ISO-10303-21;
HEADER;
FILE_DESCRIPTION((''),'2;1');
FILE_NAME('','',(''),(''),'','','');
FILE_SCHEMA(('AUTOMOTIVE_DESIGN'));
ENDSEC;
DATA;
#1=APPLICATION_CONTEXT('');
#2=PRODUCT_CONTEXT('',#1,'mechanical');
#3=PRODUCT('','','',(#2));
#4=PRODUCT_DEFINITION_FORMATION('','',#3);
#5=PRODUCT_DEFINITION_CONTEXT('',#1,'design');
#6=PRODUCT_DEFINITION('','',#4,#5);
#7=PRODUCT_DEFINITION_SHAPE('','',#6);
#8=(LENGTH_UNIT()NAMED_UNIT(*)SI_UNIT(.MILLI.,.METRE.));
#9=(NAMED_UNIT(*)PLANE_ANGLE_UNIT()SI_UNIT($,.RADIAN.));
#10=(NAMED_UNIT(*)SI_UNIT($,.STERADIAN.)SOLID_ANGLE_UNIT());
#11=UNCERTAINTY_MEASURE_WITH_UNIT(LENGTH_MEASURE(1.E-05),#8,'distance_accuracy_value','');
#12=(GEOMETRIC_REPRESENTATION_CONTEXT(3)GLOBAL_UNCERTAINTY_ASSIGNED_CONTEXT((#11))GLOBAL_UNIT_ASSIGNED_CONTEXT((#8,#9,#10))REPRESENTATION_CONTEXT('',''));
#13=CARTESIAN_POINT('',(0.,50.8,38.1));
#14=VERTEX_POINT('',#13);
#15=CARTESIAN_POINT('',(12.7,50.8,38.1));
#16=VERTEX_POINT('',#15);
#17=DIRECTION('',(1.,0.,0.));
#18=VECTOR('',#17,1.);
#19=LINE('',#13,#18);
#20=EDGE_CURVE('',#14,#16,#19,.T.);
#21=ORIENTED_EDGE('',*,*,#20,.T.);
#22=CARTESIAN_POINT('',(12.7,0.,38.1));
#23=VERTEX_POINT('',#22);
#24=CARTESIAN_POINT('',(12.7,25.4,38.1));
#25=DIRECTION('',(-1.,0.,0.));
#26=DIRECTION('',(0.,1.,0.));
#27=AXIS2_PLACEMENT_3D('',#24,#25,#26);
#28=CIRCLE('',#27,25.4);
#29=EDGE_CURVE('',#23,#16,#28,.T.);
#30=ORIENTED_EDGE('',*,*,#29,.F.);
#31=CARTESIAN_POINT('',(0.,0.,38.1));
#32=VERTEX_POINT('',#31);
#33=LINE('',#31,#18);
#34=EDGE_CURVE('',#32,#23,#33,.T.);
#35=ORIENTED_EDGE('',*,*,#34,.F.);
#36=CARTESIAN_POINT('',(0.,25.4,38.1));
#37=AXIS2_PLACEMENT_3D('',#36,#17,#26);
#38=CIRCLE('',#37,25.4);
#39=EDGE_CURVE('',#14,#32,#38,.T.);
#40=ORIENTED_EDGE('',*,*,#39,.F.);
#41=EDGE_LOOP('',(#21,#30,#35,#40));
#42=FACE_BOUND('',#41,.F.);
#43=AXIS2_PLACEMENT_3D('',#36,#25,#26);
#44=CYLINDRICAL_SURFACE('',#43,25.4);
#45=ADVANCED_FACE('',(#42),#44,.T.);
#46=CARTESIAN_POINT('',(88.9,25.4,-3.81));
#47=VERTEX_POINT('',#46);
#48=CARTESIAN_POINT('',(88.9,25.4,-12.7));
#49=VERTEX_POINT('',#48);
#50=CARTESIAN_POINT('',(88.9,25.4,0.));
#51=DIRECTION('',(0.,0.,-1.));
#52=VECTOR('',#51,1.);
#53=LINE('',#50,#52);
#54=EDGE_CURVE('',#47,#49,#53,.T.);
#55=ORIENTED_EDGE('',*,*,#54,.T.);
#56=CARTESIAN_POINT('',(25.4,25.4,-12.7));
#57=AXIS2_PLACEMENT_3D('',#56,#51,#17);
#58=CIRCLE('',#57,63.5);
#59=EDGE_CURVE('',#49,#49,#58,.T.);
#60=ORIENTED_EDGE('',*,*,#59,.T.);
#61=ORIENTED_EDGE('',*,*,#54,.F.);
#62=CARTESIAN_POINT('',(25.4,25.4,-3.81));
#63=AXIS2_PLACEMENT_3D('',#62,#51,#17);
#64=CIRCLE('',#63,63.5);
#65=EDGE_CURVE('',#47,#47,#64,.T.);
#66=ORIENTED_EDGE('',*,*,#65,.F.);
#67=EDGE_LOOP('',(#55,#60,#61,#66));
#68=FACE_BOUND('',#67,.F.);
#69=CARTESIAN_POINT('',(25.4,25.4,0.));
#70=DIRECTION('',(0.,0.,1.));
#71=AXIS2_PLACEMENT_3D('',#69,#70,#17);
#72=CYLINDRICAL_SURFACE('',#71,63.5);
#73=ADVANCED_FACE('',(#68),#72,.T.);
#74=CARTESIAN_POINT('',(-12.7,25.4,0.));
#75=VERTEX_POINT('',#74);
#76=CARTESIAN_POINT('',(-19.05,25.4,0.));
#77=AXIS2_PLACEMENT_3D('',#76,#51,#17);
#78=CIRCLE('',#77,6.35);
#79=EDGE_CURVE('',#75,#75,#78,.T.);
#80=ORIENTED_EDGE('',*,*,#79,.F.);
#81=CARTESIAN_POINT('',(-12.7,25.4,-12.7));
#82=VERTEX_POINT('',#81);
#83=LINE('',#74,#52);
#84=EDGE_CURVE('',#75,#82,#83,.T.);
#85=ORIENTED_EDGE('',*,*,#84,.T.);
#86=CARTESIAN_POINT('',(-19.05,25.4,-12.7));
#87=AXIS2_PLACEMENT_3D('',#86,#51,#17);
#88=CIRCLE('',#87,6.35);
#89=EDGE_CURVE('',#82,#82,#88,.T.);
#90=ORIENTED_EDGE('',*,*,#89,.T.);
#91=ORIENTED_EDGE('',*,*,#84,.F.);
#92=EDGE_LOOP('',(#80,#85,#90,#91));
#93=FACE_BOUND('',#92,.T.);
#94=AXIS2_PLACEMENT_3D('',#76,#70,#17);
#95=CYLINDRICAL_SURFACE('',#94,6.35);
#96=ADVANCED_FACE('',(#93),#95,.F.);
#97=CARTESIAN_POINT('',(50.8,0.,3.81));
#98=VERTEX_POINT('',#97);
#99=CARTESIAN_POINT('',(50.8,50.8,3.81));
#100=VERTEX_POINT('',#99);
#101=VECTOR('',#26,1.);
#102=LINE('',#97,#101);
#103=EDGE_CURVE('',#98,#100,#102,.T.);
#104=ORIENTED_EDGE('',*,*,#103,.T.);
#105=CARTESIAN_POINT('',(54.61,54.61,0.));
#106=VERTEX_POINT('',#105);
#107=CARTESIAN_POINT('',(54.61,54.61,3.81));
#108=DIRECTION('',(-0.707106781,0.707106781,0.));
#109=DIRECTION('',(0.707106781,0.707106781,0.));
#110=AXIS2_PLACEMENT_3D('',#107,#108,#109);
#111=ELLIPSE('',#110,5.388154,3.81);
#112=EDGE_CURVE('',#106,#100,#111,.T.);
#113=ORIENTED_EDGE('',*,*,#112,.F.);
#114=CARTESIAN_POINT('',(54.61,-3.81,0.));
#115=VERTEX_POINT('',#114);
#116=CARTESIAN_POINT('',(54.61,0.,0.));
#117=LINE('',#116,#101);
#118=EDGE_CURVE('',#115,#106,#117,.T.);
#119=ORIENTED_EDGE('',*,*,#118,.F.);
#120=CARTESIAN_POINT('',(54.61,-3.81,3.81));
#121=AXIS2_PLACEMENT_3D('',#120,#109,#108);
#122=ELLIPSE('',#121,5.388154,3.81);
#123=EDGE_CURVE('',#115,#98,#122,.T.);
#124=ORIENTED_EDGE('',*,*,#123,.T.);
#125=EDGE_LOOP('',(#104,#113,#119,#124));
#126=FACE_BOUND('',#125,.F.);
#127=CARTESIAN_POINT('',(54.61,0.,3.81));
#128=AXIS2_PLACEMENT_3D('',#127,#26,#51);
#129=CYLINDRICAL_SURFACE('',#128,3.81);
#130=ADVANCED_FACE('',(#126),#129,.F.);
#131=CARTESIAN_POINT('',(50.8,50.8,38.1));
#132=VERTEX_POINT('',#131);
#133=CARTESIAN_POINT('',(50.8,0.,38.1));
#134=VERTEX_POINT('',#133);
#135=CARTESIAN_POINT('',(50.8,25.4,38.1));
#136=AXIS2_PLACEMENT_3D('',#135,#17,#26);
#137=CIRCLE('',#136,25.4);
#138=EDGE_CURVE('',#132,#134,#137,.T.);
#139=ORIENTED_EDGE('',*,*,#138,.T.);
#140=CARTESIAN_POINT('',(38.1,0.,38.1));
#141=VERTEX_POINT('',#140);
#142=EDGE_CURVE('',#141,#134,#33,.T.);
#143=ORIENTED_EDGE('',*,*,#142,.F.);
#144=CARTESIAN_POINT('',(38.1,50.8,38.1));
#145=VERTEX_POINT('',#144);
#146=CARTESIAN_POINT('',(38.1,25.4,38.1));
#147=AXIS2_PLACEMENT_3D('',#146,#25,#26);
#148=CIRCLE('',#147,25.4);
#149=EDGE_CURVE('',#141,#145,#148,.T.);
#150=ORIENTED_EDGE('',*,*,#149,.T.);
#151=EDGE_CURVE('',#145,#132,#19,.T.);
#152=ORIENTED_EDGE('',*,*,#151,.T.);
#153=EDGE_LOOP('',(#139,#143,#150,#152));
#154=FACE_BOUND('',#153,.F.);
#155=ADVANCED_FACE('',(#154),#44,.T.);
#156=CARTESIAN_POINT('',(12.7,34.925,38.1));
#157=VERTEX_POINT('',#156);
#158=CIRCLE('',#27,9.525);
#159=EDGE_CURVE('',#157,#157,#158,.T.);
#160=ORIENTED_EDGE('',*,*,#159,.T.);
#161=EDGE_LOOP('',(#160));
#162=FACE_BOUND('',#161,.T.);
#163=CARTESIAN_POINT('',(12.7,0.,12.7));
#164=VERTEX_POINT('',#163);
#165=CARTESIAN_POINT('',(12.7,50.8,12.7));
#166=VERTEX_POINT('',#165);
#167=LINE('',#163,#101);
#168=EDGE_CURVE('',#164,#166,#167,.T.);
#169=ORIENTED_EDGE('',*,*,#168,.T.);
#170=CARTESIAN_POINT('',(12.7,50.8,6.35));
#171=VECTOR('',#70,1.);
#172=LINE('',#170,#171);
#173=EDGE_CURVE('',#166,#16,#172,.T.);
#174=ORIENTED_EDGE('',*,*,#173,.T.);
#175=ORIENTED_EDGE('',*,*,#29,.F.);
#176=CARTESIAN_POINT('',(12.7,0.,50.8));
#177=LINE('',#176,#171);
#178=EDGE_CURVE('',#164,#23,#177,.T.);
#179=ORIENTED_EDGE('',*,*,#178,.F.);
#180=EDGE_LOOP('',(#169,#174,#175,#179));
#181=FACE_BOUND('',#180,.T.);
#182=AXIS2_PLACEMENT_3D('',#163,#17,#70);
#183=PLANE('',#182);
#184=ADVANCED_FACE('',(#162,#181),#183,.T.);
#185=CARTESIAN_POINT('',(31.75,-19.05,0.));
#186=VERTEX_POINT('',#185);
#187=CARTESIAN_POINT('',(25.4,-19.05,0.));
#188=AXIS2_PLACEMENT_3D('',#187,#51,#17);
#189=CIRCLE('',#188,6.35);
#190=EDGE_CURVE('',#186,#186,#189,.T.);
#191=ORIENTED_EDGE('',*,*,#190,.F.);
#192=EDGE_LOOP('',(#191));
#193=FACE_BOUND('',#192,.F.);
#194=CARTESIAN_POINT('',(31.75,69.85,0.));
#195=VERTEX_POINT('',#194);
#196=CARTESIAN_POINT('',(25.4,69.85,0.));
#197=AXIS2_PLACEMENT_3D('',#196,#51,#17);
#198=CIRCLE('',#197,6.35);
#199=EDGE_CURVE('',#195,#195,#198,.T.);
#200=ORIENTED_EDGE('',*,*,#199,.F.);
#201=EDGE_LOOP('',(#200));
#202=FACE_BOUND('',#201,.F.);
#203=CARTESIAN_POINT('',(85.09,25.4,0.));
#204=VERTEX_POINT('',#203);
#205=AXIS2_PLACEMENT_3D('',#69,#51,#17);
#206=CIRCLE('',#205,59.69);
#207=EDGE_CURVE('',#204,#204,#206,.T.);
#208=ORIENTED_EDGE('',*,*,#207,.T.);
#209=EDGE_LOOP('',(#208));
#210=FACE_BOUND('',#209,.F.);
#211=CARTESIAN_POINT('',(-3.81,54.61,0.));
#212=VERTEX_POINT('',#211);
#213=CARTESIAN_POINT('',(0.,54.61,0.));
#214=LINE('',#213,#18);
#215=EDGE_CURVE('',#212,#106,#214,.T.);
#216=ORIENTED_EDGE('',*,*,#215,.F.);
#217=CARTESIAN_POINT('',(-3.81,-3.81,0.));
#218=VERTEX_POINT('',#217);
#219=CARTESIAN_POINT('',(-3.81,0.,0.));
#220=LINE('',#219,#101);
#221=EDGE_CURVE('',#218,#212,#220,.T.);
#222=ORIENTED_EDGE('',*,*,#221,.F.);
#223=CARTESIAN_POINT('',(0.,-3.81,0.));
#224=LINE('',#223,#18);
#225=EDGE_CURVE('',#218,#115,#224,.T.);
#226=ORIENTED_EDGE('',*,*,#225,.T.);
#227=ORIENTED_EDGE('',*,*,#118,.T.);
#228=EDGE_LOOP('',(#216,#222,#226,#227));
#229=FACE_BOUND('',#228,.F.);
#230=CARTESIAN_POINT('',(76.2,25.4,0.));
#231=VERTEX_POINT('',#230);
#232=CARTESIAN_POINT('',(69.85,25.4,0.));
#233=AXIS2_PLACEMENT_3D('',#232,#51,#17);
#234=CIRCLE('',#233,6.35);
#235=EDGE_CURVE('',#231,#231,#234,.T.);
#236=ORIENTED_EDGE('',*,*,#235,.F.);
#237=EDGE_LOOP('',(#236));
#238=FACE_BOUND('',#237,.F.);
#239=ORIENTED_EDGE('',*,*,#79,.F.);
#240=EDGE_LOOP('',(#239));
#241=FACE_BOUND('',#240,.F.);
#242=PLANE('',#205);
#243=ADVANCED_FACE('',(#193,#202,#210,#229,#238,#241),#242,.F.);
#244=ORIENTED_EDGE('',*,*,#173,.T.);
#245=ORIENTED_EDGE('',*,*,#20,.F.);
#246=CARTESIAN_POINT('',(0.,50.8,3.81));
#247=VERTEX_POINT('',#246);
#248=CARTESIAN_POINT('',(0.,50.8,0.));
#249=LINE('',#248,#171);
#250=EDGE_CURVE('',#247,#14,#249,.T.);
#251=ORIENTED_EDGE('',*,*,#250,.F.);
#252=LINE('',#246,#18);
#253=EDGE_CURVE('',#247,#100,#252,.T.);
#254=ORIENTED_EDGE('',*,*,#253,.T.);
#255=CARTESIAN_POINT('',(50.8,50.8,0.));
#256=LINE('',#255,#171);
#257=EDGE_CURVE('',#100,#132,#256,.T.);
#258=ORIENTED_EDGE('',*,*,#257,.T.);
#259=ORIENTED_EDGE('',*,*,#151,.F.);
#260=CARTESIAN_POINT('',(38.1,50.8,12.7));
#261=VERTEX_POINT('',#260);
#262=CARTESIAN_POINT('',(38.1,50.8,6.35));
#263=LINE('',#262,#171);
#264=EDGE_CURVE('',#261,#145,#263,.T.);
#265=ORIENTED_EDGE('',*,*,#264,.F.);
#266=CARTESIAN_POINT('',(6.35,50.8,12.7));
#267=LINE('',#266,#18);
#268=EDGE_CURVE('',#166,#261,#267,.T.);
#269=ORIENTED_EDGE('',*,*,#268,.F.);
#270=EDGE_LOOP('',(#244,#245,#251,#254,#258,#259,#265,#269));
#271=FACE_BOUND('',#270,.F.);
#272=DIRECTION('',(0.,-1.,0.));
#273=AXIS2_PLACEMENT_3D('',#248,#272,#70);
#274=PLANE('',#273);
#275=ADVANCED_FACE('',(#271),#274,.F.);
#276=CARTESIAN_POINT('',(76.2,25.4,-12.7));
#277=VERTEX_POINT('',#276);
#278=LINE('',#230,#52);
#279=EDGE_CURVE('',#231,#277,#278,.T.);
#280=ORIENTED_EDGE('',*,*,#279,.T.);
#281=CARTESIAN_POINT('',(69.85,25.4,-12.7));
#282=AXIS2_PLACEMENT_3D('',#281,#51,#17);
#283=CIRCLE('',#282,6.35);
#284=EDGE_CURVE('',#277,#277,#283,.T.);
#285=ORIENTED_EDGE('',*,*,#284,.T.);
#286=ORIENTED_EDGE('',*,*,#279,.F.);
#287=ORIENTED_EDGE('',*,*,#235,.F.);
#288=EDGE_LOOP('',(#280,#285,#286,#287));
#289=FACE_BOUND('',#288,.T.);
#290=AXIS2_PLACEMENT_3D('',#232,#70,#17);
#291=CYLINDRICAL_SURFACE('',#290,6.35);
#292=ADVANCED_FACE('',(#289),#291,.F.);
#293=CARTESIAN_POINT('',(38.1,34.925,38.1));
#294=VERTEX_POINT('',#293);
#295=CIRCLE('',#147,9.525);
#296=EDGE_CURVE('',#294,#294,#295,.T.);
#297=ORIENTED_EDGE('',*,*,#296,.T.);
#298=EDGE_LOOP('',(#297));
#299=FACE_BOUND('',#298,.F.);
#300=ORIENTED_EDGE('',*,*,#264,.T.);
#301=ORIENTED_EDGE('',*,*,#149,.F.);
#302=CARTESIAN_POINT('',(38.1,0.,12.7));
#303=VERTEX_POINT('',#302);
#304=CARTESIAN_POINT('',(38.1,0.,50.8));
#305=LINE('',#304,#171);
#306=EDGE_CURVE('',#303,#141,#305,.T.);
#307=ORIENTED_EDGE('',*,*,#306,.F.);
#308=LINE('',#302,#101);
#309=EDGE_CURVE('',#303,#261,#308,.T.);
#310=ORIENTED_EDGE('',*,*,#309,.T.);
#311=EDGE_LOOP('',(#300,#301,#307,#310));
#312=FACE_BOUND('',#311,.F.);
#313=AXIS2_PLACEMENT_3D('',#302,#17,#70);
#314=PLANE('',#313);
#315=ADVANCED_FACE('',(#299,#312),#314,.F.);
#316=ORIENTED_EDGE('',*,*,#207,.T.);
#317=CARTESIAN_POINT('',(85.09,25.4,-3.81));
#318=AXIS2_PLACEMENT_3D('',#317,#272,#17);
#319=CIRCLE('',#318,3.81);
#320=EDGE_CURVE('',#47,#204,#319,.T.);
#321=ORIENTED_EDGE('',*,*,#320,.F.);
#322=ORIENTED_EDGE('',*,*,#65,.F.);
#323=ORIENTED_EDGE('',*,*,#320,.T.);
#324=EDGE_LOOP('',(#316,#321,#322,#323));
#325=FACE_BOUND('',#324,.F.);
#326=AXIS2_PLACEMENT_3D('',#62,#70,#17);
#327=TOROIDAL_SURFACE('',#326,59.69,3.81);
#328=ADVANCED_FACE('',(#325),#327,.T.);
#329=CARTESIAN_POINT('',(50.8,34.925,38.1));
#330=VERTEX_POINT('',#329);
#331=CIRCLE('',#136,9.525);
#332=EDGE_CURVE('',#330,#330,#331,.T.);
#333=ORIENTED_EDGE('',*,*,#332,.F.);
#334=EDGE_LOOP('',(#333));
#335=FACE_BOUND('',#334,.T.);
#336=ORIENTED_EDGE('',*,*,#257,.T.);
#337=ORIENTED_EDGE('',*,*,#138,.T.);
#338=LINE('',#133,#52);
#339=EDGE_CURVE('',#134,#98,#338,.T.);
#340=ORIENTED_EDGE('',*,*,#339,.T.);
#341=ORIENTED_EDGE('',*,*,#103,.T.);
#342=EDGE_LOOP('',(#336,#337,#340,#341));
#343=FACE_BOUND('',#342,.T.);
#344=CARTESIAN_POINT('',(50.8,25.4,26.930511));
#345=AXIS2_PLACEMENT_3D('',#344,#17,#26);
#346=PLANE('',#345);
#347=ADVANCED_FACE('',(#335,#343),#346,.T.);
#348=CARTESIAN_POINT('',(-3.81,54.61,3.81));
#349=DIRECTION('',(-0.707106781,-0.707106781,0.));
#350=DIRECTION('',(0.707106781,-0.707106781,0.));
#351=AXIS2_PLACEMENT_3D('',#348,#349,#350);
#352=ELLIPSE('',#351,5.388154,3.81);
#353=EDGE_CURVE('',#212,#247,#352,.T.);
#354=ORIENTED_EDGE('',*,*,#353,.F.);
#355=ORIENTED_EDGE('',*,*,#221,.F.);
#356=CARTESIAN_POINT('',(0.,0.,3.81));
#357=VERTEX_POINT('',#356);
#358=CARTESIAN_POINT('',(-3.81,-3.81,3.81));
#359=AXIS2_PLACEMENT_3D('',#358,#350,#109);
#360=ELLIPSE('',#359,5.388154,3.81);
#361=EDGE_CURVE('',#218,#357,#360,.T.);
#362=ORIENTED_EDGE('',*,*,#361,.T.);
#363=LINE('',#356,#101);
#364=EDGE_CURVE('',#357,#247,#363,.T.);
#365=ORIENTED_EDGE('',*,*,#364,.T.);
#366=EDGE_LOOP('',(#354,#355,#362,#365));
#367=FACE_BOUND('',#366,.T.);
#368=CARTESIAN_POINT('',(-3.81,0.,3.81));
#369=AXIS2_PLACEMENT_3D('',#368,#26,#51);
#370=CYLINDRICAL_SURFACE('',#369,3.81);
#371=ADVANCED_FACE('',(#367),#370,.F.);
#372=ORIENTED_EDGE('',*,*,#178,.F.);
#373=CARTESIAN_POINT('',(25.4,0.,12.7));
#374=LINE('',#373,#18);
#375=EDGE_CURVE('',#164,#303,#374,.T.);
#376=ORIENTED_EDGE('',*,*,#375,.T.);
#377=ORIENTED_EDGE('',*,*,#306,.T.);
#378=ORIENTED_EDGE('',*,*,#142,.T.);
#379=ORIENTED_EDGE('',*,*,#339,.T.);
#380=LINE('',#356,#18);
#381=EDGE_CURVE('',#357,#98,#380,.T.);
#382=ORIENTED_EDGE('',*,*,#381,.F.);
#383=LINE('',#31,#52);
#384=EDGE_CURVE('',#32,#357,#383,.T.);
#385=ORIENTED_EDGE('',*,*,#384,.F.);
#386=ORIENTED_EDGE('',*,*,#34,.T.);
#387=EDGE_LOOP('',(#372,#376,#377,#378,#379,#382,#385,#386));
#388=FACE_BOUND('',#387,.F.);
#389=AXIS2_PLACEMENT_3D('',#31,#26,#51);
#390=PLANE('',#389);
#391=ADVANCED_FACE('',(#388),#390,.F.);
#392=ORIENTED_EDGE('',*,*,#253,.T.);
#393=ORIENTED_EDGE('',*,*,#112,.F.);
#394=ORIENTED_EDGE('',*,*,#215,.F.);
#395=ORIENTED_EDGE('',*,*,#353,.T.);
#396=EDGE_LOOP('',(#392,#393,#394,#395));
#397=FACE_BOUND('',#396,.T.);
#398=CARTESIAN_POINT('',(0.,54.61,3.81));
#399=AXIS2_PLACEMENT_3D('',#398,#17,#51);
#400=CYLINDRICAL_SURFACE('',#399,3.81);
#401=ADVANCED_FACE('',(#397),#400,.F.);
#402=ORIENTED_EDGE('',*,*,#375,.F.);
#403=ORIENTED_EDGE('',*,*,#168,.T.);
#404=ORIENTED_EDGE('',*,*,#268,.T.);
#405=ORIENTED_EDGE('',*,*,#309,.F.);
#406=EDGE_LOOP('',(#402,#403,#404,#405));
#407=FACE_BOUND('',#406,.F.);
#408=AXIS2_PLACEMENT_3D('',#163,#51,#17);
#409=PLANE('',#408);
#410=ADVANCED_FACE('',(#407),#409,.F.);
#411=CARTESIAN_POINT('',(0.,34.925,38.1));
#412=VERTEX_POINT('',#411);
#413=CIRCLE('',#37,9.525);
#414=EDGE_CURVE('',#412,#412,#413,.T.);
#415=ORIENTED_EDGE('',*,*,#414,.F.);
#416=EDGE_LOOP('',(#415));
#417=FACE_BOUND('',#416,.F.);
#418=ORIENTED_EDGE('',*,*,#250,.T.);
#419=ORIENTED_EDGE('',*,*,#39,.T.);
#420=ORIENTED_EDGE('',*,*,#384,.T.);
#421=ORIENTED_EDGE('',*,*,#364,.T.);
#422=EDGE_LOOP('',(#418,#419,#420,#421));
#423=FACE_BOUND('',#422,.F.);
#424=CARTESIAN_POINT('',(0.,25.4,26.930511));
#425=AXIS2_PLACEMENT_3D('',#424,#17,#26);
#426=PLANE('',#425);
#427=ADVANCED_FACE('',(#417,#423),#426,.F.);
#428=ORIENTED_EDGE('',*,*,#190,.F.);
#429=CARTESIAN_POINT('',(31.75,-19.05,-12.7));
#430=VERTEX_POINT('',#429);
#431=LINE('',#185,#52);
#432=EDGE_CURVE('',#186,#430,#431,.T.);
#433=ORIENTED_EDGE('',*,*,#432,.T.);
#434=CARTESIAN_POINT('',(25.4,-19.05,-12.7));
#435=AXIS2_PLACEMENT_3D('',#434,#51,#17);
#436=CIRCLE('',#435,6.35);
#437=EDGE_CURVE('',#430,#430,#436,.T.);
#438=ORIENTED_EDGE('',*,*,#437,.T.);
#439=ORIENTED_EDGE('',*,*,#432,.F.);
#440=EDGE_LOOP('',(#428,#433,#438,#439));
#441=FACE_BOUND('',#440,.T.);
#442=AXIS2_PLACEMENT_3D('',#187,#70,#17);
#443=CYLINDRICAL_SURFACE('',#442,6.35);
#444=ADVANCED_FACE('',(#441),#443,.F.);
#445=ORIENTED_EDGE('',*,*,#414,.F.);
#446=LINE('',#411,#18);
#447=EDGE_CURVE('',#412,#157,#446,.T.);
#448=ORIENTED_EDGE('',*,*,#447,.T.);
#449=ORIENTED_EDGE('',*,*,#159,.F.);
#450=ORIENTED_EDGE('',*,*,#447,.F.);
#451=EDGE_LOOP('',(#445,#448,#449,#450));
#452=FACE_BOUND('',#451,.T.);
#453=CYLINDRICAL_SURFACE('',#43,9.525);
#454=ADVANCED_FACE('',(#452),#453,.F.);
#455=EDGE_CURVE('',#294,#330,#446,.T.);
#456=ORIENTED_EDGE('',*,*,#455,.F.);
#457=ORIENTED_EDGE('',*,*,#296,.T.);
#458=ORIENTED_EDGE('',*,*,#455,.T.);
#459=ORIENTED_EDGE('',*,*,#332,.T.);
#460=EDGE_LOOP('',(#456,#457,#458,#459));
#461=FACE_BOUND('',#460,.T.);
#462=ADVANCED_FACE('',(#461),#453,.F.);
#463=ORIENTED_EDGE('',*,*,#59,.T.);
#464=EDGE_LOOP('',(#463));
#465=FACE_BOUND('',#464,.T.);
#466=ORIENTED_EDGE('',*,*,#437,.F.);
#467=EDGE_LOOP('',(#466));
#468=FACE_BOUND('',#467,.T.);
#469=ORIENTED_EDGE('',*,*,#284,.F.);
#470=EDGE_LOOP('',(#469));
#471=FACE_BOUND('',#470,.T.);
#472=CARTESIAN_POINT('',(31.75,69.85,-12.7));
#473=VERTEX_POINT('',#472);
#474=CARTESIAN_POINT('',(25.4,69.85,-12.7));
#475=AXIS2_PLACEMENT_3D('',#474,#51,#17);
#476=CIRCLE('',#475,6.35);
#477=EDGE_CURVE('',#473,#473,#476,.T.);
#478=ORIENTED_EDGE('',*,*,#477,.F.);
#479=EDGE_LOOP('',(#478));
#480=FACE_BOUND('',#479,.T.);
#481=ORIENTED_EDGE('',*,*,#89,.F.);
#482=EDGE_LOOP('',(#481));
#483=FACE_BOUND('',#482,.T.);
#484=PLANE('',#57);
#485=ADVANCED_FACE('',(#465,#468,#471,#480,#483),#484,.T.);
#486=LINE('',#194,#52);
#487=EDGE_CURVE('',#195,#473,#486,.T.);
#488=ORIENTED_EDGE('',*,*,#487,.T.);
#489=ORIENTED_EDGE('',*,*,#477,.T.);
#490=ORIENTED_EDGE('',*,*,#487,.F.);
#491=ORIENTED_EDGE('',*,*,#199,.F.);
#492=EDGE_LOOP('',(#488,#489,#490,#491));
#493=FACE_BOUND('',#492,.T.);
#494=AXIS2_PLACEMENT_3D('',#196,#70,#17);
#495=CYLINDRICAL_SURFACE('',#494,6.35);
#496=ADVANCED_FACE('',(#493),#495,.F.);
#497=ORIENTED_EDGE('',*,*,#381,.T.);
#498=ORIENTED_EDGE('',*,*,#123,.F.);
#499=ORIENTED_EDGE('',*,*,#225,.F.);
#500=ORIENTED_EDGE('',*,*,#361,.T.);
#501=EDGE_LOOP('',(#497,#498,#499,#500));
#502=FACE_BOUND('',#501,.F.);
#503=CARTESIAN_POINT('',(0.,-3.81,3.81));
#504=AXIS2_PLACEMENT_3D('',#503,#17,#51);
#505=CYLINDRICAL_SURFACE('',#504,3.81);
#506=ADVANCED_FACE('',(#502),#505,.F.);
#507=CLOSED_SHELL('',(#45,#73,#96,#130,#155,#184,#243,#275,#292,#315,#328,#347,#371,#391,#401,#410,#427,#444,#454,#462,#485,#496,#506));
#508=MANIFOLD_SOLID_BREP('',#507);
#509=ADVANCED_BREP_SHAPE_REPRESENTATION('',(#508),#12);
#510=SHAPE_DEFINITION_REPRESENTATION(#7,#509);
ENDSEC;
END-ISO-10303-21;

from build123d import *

# Parameters (mm, degrees)
F0_R     = 9.525
F1_DEPTH = 50.8
F2_W     = 25.4
F2_H     = 76.2
F3_DEPTH = 50.801
F4_R     = 63.5
F4_R_2   = 6.35
F4_W     = 50.8
F4_H     = 50.8
F5_DEPTH = 12.7
F6_R     = 3.81


with BuildPart() as f1:
    # F0 (on Right) → F1 (new body)
    with BuildSketch(Plane.YZ):
        with BuildLine():
            Line((0, 38.1), (0, 0))
            Line((0, 0), (50.8, 0))
            Line((50.8, 0), (50.8, 38.1))
            ThreePointArc((50.8, 38.1), (25.4, 63.5), (0, 38.1))
        make_face()
        with Locations((25.4, 38.1)):
            Circle(F0_R, mode=Mode.SUBTRACT)
    extrude(amount=F1_DEPTH)

    # F2 (on face) → F3 (cut, through all)
    with BuildSketch(Plane.XZ):
        with Locations((25.4, 50.8)):
            Rectangle(F2_W, F2_H)
    extrude(amount=-F3_DEPTH, mode=Mode.SUBTRACT)

    # F4 (on face) → F5 (join)
    with BuildSketch(Plane(origin=(0, 0, 0), x_dir=(1, 0, 0), z_dir=(0, 0, -1))):
        with Locations((25.4, -25.4)):
            Circle(F4_R)
        with Locations((25.4, -69.85)):
            Circle(F4_R_2, mode=Mode.SUBTRACT)
        with Locations((-19.05, -25.4)):
            Circle(F4_R_2, mode=Mode.SUBTRACT)
        with Locations((25.4, -25.4)):
            Rectangle(F4_W, F4_H, mode=Mode.SUBTRACT)
        with Locations((69.85, -25.4)):
            Circle(F4_R_2, mode=Mode.SUBTRACT)
        with Locations((25.4, 19.05)):
            Circle(F4_R_2, mode=Mode.SUBTRACT)
        with Locations((25.4, -25.4)):
            Rectangle(F4_W, F4_H)
    extrude(amount=F5_DEPTH)

    # F6
    f6_edges = [f1.edges().sort_by_distance(p)[0] for p in [
        (50.8, 25.4, 0),
        (25.4, 0, 0),
        (25.4, 50.8, 0),
        (0, 25.4, 0),
        (-38.1, 25.4, 0),
    ]]
    fillet(f6_edges, radius=F6_R)


solid = f1.part
